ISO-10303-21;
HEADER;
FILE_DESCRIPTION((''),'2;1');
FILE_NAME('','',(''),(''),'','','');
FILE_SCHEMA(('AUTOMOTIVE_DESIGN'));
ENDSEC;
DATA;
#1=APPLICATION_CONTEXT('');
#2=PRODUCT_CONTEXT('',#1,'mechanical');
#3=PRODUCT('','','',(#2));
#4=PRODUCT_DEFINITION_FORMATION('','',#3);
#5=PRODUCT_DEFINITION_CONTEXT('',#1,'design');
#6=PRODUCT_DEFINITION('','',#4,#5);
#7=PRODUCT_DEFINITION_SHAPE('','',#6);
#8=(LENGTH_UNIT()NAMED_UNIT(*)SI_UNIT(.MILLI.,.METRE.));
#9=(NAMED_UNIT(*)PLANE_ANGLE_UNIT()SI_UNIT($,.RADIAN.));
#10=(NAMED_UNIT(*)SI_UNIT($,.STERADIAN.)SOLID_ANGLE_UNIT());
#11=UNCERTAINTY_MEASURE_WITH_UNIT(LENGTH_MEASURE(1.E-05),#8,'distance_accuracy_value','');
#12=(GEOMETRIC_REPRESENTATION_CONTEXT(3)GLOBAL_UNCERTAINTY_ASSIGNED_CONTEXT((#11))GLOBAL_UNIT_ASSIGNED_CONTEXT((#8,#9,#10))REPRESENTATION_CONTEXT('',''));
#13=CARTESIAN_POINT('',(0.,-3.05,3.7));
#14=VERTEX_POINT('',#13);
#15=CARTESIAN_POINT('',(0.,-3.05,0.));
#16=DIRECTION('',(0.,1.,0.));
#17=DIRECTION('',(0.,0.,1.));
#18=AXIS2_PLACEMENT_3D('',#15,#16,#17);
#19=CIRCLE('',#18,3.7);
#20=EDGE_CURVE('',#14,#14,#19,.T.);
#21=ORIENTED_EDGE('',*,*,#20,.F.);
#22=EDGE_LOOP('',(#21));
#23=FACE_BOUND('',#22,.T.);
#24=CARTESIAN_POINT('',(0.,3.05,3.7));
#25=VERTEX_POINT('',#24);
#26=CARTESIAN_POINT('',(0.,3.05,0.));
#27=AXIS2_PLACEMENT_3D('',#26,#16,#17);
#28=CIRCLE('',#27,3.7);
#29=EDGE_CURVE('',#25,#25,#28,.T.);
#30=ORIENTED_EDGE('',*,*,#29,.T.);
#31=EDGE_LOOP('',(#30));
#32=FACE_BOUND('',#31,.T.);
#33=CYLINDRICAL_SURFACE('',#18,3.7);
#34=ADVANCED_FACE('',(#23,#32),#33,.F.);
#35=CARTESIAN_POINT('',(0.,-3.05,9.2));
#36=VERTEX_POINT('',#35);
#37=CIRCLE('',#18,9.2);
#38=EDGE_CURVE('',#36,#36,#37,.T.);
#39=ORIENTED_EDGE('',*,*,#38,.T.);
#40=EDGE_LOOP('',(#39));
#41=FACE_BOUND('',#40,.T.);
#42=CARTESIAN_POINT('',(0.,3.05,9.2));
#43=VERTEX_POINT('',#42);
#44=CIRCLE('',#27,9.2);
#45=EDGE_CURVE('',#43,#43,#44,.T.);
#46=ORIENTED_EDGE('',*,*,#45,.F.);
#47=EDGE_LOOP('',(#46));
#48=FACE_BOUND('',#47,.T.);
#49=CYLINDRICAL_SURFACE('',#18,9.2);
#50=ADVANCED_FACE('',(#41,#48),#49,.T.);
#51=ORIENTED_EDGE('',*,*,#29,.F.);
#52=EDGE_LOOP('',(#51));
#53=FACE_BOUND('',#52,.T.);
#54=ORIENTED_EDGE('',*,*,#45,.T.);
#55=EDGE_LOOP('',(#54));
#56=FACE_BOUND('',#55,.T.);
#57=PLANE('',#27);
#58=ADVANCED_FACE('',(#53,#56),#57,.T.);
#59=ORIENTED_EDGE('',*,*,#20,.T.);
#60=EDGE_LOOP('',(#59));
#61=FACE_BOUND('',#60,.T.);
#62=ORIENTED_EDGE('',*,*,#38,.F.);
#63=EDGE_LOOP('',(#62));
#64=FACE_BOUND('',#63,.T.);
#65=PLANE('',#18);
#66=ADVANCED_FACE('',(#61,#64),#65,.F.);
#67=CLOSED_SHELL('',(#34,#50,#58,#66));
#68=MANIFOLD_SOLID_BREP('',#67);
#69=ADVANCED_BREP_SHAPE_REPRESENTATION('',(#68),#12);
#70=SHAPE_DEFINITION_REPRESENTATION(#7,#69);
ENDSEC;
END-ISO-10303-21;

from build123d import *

# Parameters (mm, degrees)
SKETCH1_R               = 9.5
SKETCH1_R_2             = 3.45
BOSS_EXTRUDE1_DEPTH     = 3.05
CUT_EXTRUDE1_DEPTH      = 15.754999153
CUT_EXTRUDE1_DEPTH_BACK = 15.754999153
SKETCH2_R               = 9.5
SKETCH2_R_2             = 9.2
CUT_EXTRUDE2_DEPTH      = 15.369759914
CUT_EXTRUDE2_DEPTH_BACK = 15.369759914
SKETCH3_R               = 3.7


with BuildPart() as part:
    # Sketch1 → Boss-Extrude1 (new, symmetric)
    with BuildSketch(Plane(origin=(0, 0, 0), x_dir=(1, 0, 0), z_dir=(0, 1, 0))):
        with Locations(Location((0, 0, 0), (0, 0, 270))):
            Circle(SKETCH1_R)
        with Locations(Location((0, 0, 0), (0, 0, 270))):
            Circle(SKETCH1_R_2, mode=Mode.SUBTRACT)
    extrude(amount=BOSS_EXTRUDE1_DEPTH, both=True)

    # Sketch2 → Cut-Extrude1 (cut, two sides: drawn at the far end of the back side and taken through both)
    with BuildSketch(Plane(origin=(0, 3.05, 0), x_dir=(1, 0, 0), z_dir=(0, 1, 0)).offset(-CUT_EXTRUDE1_DEPTH_BACK)):
        Circle(SKETCH2_R)
        with Locations(Location((0, 0, 0), (0, 0, 270))):
            Circle(SKETCH2_R_2, mode=Mode.SUBTRACT)
    extrude(amount=CUT_EXTRUDE1_DEPTH + CUT_EXTRUDE1_DEPTH_BACK, mode=Mode.SUBTRACT)

    # Sketch3 → Cut-Extrude2 (cut, two sides: drawn at the far end of the back side and taken through both)
    with BuildSketch(Plane(origin=(0, 3.05, 0), x_dir=(1, 0, 0), z_dir=(0, 1, 0)).offset(-CUT_EXTRUDE2_DEPTH_BACK)):
        with Locations(Location((0, 0, 0), (0, 0, 270))):
            Circle(SKETCH3_R)
    extrude(amount=CUT_EXTRUDE2_DEPTH + CUT_EXTRUDE2_DEPTH_BACK, mode=Mode.SUBTRACT)


solid = part.part
